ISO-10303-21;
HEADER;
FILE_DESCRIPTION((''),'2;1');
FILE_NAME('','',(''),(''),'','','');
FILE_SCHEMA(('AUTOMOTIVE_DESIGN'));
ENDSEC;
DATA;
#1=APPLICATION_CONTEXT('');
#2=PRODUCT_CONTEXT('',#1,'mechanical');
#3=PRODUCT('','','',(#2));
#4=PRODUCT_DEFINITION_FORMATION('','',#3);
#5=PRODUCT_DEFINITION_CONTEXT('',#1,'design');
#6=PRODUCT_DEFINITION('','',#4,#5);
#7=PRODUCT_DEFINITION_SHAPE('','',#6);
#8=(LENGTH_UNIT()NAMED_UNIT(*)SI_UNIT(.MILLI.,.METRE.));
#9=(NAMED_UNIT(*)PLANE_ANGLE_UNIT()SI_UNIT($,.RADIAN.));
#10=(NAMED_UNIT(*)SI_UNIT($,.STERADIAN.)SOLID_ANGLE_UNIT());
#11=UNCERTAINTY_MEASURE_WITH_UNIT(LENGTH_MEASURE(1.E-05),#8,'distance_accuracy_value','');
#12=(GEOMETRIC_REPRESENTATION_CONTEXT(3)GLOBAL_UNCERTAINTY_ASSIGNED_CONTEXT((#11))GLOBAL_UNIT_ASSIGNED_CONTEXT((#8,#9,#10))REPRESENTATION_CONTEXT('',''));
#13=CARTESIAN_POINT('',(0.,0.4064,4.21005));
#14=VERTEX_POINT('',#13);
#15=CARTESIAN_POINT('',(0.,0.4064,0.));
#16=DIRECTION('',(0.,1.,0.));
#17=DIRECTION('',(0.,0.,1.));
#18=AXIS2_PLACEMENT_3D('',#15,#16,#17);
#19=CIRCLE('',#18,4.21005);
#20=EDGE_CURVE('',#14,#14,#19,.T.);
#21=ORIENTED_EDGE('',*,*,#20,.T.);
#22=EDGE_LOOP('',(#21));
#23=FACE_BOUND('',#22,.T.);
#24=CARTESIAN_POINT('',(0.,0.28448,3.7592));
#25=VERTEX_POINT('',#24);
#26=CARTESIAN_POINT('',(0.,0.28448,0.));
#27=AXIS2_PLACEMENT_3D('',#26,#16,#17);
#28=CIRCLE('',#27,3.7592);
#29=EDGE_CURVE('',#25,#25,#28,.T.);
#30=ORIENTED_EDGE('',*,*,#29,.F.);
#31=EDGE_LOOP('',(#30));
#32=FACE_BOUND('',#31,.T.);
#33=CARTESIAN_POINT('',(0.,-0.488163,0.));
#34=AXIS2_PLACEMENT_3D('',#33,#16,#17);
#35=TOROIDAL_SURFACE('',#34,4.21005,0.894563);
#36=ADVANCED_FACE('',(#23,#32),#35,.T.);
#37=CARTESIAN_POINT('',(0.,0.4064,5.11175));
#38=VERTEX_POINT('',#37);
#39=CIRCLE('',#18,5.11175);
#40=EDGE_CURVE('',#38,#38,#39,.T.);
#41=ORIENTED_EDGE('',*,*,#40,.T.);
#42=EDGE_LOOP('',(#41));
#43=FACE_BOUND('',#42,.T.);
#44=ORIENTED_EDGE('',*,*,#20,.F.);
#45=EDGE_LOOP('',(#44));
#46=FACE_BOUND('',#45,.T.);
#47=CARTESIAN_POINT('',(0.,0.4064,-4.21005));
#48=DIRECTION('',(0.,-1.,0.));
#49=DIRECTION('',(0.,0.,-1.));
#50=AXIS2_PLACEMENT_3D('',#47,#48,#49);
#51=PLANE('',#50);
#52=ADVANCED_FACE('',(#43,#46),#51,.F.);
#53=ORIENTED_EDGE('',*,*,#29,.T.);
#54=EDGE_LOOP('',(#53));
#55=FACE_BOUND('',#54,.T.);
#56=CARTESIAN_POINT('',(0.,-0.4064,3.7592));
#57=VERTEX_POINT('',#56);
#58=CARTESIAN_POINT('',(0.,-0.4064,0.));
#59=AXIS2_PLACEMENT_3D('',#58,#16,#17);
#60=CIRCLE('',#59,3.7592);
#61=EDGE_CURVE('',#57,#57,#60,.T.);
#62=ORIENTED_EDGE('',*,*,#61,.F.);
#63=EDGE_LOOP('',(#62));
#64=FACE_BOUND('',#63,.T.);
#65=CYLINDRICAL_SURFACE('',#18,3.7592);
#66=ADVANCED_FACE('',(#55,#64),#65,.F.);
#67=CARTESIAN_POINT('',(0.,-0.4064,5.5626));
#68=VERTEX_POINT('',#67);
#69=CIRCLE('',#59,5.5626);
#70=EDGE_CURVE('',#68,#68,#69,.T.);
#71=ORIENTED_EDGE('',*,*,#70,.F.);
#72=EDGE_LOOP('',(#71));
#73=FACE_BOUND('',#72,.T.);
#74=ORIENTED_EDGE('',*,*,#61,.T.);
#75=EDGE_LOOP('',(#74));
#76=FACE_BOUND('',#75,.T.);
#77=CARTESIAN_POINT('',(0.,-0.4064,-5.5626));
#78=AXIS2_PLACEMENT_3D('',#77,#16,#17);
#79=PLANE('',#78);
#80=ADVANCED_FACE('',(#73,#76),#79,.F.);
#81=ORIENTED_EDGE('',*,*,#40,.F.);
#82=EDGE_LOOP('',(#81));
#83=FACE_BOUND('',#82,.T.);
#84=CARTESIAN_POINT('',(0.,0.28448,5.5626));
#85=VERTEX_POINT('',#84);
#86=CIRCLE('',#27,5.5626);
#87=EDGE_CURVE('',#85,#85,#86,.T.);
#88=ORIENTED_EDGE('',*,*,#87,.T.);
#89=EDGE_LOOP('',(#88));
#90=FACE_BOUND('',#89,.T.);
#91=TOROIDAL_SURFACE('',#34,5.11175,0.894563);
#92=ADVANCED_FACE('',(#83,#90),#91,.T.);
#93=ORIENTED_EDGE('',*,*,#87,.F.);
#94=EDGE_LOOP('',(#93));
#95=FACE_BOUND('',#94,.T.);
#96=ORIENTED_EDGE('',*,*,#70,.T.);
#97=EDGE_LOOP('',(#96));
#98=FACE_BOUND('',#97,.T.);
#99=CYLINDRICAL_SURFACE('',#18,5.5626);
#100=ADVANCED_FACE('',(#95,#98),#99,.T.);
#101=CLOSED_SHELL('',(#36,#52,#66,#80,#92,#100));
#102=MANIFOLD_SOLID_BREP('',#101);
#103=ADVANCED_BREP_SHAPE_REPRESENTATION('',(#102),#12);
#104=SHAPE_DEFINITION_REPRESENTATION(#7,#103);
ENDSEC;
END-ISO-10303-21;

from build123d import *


with BuildPart() as part:
    # Sketch3 → Revolve1 (revolve)
    with BuildSketch(Plane(origin=(0, 0, 0), x_dir=(0, 0, -1), z_dir=(1, 0, 0))):
        with BuildLine():
            Line((5.5626, -0.4064), (3.7592, -0.4064))
            Line((3.7592, -0.4064), (3.7592, 0.28448))
            ThreePointArc((3.7592, 0.28448), (3.976527941, 0.375382251), (4.21005, 0.4064))
            Line((4.21005, 0.4064), (5.11175, 0.4064))
            ThreePointArc((5.11175, 0.4064), (5.345272059, 0.375382251), (5.5626, 0.28448))
            Line((5.5626, 0.28448), (5.5626, -0.4064))
        make_face()
    revolve(axis=Axis((0, 0.4064, 0), (0, -1, 0)))


solid = part.part
